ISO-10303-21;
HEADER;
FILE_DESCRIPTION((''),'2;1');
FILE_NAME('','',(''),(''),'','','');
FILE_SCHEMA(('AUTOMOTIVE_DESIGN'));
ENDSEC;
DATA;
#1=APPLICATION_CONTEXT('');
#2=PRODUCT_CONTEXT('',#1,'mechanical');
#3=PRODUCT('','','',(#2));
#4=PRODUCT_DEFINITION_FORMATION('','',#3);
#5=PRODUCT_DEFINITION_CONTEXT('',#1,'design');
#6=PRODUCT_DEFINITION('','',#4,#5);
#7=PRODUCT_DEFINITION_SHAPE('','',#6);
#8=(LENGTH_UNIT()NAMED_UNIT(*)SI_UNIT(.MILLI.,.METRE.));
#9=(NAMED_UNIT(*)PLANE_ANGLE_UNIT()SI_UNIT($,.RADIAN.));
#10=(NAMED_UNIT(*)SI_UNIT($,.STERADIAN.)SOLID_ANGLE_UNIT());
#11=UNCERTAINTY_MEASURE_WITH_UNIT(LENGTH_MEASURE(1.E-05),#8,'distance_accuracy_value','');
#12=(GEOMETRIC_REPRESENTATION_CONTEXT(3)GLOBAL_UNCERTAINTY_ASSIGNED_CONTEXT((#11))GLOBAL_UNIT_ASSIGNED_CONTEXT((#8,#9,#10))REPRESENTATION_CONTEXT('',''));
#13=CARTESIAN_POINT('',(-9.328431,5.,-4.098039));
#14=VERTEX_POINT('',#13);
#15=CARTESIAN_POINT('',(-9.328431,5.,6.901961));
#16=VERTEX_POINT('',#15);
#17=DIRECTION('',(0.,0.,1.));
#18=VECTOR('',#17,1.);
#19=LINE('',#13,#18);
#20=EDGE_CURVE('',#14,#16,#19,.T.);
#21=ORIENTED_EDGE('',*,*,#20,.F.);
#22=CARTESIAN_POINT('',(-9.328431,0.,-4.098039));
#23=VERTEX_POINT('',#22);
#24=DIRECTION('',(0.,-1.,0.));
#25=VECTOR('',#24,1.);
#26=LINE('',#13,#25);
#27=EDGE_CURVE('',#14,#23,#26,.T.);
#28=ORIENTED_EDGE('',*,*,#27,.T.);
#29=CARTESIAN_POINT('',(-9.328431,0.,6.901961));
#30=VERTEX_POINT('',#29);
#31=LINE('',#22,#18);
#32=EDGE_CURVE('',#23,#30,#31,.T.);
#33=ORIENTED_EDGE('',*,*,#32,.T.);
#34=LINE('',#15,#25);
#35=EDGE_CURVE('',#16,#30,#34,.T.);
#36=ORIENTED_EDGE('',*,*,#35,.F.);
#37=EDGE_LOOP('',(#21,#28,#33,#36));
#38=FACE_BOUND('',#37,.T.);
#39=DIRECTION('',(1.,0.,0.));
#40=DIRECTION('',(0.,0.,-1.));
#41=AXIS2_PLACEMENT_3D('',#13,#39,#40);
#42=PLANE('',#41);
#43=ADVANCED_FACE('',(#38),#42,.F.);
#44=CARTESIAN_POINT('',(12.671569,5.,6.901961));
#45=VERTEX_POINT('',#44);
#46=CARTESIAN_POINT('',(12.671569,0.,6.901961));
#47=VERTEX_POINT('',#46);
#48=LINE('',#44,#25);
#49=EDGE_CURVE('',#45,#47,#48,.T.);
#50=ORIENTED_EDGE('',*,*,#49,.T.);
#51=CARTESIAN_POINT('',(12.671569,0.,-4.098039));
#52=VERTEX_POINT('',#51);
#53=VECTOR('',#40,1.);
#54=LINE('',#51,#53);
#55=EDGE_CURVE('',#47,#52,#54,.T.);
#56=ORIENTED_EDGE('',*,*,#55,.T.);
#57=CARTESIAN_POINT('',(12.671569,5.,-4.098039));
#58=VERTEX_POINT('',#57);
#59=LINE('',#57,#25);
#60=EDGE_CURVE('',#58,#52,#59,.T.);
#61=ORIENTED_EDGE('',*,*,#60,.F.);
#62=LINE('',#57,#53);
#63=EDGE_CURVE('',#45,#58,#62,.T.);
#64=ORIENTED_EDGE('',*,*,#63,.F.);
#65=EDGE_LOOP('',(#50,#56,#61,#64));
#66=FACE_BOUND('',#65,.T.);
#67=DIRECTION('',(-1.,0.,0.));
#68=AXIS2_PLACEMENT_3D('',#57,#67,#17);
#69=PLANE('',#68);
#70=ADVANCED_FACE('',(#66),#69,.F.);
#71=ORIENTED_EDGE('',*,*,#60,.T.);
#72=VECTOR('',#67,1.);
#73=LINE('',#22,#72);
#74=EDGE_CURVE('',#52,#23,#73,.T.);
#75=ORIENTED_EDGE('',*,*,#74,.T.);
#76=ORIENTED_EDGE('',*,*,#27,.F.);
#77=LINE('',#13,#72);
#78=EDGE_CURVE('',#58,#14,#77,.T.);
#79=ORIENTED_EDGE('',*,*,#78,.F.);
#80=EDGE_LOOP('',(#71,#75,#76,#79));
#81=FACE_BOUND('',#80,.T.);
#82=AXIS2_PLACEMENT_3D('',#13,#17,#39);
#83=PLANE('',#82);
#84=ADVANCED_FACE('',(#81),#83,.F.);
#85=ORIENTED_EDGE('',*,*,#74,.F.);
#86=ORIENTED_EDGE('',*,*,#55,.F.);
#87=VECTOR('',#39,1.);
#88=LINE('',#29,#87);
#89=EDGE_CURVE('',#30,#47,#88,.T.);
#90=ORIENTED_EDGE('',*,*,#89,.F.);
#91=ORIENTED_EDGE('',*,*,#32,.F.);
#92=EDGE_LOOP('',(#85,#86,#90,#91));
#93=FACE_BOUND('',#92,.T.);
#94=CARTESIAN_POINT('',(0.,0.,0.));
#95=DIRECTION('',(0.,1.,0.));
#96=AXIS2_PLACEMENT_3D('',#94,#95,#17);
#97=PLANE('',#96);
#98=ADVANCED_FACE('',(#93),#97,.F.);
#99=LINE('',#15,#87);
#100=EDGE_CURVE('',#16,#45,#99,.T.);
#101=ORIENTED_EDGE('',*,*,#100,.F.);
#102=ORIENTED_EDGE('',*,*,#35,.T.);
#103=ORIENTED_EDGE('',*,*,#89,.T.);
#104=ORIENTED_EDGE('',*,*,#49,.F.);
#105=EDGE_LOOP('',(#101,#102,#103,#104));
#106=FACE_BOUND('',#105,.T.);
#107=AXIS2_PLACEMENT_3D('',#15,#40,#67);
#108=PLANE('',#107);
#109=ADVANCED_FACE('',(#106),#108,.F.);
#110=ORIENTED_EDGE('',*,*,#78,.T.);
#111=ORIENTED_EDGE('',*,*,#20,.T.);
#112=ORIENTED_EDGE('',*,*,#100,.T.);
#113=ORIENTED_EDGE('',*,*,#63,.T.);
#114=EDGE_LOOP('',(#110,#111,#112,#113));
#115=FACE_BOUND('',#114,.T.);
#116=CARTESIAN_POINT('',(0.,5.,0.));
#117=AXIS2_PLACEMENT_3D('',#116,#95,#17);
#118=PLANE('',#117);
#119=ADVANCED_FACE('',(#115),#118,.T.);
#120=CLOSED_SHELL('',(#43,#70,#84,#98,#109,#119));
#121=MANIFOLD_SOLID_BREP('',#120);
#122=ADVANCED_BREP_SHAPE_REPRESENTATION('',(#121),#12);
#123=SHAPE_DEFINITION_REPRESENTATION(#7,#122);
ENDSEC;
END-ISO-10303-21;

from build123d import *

# Parameters (mm, degrees)
SKETCH_1_W      = 22
SKETCH_1_H      = 11
EXTRUDE_1_DEPTH = 5


with BuildPart() as part:
    # 草图1 → 凸台-拉伸1 (new body)
    with BuildSketch(Plane(origin=(0, 0, 0), x_dir=(1, 0, 0), z_dir=(0, 1, 0))):
        with Locations((1.671568627, -1.401960784)):
            Rectangle(SKETCH_1_W, SKETCH_1_H)
    extrude(amount=EXTRUDE_1_DEPTH)


solid = part.part
